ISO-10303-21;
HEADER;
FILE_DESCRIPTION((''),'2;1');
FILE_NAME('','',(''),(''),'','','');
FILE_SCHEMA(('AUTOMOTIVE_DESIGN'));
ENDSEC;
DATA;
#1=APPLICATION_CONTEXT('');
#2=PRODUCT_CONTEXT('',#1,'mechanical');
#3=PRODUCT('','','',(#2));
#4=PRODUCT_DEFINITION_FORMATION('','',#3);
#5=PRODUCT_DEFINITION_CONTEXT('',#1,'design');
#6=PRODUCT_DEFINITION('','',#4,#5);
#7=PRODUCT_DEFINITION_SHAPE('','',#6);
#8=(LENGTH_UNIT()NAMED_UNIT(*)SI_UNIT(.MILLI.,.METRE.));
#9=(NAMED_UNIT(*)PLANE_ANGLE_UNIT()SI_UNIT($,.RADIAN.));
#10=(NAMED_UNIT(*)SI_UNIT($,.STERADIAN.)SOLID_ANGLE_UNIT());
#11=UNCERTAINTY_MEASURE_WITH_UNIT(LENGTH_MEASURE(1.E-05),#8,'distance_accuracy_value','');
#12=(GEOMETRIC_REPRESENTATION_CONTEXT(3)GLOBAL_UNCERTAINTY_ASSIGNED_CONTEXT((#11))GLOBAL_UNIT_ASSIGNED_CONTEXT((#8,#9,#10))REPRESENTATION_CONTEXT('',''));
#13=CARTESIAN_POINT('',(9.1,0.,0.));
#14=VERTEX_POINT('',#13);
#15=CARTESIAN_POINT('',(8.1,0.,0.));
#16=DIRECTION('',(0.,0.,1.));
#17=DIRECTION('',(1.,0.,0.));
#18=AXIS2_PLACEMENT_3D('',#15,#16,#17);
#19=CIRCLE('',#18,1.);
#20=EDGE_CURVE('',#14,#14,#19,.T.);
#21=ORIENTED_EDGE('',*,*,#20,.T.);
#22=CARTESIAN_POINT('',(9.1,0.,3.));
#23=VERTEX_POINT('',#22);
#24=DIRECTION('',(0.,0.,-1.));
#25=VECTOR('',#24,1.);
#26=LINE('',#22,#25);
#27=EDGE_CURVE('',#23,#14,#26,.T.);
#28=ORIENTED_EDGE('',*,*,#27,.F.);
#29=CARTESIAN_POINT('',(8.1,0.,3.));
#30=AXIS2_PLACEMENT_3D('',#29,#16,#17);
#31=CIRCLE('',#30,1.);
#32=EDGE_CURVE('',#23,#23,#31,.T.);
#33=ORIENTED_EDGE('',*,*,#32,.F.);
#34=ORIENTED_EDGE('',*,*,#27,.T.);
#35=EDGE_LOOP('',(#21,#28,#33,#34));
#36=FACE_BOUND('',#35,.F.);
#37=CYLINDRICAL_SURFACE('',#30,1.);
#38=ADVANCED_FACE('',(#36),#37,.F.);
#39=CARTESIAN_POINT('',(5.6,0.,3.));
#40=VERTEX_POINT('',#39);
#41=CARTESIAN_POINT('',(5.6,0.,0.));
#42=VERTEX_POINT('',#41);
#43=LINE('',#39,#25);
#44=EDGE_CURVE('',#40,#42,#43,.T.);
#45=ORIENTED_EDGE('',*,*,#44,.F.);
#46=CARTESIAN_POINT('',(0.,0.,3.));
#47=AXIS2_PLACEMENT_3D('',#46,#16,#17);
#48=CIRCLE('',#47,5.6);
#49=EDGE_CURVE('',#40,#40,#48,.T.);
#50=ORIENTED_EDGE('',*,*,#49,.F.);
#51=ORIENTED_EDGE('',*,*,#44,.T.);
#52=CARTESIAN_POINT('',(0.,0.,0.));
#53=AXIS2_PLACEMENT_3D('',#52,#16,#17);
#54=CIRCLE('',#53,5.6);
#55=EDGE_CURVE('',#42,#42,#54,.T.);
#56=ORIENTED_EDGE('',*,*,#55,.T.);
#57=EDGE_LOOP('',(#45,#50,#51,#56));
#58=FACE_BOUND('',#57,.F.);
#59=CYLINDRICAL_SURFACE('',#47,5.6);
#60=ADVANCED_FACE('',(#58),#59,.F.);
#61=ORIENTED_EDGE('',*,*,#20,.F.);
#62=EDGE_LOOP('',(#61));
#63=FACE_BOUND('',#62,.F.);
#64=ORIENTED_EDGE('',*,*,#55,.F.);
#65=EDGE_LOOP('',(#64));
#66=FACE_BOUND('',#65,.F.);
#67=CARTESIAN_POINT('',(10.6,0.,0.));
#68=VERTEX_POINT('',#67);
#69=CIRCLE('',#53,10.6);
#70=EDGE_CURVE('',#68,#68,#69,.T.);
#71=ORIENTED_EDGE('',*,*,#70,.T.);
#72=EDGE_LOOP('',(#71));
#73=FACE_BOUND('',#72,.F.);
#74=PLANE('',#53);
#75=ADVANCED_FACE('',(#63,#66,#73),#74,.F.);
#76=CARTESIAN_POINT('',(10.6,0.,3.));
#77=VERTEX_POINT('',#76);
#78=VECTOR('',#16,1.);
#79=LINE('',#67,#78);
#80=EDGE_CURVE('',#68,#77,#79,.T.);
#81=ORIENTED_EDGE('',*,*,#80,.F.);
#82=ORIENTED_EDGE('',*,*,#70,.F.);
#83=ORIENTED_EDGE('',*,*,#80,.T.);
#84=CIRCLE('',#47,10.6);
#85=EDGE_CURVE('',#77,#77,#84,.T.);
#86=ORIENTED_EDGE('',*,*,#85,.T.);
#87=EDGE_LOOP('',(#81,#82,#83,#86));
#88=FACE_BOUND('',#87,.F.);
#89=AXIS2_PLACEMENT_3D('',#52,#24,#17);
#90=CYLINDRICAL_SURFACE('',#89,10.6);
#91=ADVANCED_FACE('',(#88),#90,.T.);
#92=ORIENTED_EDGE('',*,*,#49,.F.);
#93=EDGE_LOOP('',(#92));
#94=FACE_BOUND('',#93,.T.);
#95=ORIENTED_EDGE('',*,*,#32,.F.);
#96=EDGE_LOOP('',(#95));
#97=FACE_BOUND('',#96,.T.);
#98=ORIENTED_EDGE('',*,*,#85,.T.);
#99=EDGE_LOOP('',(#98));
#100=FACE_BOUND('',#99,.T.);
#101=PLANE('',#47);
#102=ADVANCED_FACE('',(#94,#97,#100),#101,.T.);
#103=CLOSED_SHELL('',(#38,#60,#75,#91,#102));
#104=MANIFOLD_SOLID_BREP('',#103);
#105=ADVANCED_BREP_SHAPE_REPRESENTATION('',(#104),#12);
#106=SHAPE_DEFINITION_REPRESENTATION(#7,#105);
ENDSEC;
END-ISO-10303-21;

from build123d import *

# Parameters (mm, degrees)
CYLINDER_R      = 10.6
CYLINDER_DEPTH  = 3
SKETCH_R        = 5.6
POCKET_DEPTH    = 3
SKETCH001_R     = 1
POCKET001_DEPTH = 3


with BuildPart() as part:
    # Cylinder → Cylinder (new body)
    with BuildSketch(Plane.XY):
        Circle(CYLINDER_R)
    extrude(amount=CYLINDER_DEPTH)

    # Sketch → Pocket (cut)
    with BuildSketch(Plane.XY.offset(3)):
        Circle(SKETCH_R)
    extrude(amount=-POCKET_DEPTH, mode=Mode.SUBTRACT)

    # Sketch001 → Pocket001 (cut)
    with BuildSketch(Plane.XY.offset(3)):
        with Locations((8.1, 0)):
            Circle(SKETCH001_R)
    extrude(amount=-POCKET001_DEPTH, mode=Mode.SUBTRACT)


solid = part.part
